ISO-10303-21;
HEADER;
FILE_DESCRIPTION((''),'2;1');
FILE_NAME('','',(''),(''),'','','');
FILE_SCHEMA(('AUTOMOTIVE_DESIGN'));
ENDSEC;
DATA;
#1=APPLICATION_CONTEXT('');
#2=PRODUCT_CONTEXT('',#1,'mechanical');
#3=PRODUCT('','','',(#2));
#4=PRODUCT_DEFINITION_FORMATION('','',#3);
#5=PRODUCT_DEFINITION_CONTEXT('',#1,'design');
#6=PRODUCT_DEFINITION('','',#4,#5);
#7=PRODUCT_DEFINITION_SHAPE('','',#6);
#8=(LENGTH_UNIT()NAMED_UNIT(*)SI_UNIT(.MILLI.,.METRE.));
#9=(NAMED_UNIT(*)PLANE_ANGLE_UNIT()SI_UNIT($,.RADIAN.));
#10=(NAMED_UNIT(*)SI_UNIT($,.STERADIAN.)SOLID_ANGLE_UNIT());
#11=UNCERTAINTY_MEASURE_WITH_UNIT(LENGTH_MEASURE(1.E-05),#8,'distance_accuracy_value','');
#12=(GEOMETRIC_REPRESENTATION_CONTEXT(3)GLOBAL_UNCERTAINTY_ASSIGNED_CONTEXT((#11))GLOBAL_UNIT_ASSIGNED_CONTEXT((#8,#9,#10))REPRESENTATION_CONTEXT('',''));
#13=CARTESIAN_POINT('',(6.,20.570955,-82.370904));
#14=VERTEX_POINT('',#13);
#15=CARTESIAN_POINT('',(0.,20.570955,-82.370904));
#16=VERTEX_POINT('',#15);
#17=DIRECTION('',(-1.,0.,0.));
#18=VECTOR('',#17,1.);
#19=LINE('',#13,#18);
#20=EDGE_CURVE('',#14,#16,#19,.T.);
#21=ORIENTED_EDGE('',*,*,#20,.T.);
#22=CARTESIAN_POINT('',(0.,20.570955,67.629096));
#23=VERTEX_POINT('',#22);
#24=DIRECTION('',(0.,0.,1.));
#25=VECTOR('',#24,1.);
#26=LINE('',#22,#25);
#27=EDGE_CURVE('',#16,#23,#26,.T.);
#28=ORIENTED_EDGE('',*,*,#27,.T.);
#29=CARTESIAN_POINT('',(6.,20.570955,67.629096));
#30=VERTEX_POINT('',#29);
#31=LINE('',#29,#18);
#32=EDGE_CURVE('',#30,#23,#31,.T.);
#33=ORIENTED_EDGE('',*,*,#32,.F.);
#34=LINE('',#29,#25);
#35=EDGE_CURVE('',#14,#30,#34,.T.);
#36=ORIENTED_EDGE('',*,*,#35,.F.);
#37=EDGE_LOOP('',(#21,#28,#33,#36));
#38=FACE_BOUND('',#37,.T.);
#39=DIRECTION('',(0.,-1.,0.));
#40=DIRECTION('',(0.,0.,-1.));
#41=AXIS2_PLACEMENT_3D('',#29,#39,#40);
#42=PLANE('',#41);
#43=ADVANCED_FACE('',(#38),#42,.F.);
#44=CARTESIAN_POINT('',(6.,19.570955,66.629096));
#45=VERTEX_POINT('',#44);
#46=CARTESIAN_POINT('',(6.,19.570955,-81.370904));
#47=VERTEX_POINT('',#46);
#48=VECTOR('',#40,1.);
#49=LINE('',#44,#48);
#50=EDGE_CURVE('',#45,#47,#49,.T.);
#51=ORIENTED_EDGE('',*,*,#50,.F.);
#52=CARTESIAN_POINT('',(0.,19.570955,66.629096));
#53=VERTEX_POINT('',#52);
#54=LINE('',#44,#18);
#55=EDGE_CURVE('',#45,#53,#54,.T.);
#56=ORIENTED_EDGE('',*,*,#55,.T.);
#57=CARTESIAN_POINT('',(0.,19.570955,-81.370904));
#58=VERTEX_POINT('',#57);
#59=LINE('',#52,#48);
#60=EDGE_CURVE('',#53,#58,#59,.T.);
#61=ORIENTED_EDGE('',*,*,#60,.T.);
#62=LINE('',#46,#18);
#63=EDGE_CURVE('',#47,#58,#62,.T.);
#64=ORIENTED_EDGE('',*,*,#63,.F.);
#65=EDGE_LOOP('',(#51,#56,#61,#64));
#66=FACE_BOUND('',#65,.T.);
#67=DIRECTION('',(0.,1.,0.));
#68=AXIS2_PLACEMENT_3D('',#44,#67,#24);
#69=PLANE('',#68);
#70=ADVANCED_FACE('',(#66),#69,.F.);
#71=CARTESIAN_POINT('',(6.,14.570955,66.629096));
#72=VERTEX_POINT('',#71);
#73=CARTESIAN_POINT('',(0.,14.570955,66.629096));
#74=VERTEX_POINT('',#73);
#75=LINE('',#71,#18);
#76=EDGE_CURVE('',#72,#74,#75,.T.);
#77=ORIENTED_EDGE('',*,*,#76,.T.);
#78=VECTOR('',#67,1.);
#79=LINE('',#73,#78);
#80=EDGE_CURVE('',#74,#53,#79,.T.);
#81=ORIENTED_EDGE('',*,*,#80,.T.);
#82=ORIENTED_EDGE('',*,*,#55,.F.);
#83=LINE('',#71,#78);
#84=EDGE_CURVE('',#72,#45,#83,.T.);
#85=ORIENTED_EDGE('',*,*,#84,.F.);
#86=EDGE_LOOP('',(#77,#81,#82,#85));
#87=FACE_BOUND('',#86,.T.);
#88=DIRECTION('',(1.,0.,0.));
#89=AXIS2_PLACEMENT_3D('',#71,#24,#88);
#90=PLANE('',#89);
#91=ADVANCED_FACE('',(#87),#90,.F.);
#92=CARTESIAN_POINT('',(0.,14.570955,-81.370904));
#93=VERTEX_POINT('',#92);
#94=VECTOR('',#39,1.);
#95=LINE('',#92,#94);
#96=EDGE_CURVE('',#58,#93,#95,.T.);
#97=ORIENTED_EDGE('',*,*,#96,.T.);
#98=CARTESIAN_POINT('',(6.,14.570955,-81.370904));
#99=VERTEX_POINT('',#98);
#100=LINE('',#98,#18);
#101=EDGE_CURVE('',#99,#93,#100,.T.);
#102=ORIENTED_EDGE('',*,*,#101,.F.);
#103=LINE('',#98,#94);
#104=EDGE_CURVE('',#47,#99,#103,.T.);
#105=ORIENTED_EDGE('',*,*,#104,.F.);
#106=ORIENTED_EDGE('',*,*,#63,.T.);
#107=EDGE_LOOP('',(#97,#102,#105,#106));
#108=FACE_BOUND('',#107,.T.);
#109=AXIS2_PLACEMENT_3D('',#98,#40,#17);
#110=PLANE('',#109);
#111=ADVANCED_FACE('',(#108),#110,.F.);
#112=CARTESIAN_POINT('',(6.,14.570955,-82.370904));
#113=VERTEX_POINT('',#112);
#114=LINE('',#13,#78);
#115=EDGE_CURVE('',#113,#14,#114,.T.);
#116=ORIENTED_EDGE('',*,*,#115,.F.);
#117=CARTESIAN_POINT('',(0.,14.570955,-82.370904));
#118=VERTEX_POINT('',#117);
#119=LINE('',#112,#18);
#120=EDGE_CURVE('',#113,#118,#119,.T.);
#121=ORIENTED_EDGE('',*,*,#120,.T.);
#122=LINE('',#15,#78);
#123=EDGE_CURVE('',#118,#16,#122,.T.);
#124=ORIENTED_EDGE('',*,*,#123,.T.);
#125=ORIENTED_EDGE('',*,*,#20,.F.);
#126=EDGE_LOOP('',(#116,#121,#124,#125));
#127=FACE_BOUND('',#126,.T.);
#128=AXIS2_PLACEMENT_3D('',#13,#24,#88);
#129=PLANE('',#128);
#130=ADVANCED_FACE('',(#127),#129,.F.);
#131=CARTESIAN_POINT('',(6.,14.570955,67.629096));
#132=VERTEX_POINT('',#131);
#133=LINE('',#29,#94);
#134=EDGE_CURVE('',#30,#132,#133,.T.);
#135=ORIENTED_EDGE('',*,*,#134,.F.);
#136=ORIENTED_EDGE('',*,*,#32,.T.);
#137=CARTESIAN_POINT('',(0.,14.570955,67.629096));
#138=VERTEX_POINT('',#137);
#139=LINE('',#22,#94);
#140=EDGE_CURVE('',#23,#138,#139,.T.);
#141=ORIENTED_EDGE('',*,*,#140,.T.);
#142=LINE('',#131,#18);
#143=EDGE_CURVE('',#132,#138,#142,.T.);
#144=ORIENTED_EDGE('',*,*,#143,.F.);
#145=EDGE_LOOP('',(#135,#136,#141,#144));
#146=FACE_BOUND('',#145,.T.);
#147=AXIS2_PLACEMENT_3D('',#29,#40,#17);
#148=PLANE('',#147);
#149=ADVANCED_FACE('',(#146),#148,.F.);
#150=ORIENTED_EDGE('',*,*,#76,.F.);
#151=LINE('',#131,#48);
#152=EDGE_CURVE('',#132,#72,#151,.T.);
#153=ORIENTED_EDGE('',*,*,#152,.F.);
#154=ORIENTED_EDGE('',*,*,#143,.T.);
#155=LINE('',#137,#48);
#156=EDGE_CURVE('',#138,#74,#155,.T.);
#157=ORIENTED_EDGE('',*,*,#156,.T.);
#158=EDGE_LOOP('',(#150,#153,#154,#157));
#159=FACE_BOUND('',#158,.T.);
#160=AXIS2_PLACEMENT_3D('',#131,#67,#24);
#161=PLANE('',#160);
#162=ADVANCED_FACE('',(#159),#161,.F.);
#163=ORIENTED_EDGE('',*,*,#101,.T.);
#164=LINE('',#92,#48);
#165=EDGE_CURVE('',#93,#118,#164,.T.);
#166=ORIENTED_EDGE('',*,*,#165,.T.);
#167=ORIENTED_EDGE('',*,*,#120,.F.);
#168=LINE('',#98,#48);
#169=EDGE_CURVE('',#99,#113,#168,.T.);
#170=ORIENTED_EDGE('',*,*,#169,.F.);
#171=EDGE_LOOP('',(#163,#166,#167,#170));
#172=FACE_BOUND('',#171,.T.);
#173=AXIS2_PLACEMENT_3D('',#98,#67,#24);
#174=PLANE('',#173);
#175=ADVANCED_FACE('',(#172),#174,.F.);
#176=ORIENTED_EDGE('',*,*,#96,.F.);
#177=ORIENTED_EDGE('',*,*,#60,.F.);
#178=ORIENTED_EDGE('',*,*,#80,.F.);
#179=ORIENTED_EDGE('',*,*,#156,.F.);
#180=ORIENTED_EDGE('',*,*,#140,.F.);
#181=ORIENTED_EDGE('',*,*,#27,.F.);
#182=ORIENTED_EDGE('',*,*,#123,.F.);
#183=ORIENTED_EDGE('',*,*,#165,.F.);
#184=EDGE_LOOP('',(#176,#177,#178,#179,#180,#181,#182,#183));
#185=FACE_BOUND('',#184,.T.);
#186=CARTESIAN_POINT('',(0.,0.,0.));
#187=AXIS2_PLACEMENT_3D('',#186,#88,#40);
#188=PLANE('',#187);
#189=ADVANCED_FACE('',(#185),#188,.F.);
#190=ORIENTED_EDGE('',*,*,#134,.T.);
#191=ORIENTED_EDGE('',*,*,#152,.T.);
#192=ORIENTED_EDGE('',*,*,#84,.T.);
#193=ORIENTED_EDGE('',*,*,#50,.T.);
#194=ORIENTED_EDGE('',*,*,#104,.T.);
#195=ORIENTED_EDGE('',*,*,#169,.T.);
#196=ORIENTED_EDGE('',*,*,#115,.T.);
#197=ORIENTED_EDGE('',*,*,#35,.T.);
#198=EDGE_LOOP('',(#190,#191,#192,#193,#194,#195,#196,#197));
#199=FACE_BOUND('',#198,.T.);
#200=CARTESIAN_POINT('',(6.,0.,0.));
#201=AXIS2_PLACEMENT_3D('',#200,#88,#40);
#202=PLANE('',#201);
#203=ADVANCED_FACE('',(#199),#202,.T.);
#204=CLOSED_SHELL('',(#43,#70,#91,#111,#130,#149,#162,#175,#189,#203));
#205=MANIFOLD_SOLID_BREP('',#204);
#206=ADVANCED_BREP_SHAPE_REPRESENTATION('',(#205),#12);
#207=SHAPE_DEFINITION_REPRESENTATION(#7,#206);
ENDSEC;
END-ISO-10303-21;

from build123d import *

# Parameters (mm, degrees)
EXTRUDE_1_DEPTH = 6


with BuildPart() as part:
    # 草图1 → 凸台-拉伸1 (new body)
    with BuildSketch(Plane(origin=(0, 0, 0), x_dir=(0, 0, -1), z_dir=(1, 0, 0))):
        Polygon((81.370903679, 14.570954893), (82.370903679, 14.570954893), (82.370903679, 20.570954893), (-67.629096321, 20.570954893), (-67.629096321, 14.570954893), (-66.629096321, 14.570954893), (-66.629096321, 19.570954893), (81.370903679, 19.570954893), align=None)
    extrude(amount=EXTRUDE_1_DEPTH)


solid = part.part
